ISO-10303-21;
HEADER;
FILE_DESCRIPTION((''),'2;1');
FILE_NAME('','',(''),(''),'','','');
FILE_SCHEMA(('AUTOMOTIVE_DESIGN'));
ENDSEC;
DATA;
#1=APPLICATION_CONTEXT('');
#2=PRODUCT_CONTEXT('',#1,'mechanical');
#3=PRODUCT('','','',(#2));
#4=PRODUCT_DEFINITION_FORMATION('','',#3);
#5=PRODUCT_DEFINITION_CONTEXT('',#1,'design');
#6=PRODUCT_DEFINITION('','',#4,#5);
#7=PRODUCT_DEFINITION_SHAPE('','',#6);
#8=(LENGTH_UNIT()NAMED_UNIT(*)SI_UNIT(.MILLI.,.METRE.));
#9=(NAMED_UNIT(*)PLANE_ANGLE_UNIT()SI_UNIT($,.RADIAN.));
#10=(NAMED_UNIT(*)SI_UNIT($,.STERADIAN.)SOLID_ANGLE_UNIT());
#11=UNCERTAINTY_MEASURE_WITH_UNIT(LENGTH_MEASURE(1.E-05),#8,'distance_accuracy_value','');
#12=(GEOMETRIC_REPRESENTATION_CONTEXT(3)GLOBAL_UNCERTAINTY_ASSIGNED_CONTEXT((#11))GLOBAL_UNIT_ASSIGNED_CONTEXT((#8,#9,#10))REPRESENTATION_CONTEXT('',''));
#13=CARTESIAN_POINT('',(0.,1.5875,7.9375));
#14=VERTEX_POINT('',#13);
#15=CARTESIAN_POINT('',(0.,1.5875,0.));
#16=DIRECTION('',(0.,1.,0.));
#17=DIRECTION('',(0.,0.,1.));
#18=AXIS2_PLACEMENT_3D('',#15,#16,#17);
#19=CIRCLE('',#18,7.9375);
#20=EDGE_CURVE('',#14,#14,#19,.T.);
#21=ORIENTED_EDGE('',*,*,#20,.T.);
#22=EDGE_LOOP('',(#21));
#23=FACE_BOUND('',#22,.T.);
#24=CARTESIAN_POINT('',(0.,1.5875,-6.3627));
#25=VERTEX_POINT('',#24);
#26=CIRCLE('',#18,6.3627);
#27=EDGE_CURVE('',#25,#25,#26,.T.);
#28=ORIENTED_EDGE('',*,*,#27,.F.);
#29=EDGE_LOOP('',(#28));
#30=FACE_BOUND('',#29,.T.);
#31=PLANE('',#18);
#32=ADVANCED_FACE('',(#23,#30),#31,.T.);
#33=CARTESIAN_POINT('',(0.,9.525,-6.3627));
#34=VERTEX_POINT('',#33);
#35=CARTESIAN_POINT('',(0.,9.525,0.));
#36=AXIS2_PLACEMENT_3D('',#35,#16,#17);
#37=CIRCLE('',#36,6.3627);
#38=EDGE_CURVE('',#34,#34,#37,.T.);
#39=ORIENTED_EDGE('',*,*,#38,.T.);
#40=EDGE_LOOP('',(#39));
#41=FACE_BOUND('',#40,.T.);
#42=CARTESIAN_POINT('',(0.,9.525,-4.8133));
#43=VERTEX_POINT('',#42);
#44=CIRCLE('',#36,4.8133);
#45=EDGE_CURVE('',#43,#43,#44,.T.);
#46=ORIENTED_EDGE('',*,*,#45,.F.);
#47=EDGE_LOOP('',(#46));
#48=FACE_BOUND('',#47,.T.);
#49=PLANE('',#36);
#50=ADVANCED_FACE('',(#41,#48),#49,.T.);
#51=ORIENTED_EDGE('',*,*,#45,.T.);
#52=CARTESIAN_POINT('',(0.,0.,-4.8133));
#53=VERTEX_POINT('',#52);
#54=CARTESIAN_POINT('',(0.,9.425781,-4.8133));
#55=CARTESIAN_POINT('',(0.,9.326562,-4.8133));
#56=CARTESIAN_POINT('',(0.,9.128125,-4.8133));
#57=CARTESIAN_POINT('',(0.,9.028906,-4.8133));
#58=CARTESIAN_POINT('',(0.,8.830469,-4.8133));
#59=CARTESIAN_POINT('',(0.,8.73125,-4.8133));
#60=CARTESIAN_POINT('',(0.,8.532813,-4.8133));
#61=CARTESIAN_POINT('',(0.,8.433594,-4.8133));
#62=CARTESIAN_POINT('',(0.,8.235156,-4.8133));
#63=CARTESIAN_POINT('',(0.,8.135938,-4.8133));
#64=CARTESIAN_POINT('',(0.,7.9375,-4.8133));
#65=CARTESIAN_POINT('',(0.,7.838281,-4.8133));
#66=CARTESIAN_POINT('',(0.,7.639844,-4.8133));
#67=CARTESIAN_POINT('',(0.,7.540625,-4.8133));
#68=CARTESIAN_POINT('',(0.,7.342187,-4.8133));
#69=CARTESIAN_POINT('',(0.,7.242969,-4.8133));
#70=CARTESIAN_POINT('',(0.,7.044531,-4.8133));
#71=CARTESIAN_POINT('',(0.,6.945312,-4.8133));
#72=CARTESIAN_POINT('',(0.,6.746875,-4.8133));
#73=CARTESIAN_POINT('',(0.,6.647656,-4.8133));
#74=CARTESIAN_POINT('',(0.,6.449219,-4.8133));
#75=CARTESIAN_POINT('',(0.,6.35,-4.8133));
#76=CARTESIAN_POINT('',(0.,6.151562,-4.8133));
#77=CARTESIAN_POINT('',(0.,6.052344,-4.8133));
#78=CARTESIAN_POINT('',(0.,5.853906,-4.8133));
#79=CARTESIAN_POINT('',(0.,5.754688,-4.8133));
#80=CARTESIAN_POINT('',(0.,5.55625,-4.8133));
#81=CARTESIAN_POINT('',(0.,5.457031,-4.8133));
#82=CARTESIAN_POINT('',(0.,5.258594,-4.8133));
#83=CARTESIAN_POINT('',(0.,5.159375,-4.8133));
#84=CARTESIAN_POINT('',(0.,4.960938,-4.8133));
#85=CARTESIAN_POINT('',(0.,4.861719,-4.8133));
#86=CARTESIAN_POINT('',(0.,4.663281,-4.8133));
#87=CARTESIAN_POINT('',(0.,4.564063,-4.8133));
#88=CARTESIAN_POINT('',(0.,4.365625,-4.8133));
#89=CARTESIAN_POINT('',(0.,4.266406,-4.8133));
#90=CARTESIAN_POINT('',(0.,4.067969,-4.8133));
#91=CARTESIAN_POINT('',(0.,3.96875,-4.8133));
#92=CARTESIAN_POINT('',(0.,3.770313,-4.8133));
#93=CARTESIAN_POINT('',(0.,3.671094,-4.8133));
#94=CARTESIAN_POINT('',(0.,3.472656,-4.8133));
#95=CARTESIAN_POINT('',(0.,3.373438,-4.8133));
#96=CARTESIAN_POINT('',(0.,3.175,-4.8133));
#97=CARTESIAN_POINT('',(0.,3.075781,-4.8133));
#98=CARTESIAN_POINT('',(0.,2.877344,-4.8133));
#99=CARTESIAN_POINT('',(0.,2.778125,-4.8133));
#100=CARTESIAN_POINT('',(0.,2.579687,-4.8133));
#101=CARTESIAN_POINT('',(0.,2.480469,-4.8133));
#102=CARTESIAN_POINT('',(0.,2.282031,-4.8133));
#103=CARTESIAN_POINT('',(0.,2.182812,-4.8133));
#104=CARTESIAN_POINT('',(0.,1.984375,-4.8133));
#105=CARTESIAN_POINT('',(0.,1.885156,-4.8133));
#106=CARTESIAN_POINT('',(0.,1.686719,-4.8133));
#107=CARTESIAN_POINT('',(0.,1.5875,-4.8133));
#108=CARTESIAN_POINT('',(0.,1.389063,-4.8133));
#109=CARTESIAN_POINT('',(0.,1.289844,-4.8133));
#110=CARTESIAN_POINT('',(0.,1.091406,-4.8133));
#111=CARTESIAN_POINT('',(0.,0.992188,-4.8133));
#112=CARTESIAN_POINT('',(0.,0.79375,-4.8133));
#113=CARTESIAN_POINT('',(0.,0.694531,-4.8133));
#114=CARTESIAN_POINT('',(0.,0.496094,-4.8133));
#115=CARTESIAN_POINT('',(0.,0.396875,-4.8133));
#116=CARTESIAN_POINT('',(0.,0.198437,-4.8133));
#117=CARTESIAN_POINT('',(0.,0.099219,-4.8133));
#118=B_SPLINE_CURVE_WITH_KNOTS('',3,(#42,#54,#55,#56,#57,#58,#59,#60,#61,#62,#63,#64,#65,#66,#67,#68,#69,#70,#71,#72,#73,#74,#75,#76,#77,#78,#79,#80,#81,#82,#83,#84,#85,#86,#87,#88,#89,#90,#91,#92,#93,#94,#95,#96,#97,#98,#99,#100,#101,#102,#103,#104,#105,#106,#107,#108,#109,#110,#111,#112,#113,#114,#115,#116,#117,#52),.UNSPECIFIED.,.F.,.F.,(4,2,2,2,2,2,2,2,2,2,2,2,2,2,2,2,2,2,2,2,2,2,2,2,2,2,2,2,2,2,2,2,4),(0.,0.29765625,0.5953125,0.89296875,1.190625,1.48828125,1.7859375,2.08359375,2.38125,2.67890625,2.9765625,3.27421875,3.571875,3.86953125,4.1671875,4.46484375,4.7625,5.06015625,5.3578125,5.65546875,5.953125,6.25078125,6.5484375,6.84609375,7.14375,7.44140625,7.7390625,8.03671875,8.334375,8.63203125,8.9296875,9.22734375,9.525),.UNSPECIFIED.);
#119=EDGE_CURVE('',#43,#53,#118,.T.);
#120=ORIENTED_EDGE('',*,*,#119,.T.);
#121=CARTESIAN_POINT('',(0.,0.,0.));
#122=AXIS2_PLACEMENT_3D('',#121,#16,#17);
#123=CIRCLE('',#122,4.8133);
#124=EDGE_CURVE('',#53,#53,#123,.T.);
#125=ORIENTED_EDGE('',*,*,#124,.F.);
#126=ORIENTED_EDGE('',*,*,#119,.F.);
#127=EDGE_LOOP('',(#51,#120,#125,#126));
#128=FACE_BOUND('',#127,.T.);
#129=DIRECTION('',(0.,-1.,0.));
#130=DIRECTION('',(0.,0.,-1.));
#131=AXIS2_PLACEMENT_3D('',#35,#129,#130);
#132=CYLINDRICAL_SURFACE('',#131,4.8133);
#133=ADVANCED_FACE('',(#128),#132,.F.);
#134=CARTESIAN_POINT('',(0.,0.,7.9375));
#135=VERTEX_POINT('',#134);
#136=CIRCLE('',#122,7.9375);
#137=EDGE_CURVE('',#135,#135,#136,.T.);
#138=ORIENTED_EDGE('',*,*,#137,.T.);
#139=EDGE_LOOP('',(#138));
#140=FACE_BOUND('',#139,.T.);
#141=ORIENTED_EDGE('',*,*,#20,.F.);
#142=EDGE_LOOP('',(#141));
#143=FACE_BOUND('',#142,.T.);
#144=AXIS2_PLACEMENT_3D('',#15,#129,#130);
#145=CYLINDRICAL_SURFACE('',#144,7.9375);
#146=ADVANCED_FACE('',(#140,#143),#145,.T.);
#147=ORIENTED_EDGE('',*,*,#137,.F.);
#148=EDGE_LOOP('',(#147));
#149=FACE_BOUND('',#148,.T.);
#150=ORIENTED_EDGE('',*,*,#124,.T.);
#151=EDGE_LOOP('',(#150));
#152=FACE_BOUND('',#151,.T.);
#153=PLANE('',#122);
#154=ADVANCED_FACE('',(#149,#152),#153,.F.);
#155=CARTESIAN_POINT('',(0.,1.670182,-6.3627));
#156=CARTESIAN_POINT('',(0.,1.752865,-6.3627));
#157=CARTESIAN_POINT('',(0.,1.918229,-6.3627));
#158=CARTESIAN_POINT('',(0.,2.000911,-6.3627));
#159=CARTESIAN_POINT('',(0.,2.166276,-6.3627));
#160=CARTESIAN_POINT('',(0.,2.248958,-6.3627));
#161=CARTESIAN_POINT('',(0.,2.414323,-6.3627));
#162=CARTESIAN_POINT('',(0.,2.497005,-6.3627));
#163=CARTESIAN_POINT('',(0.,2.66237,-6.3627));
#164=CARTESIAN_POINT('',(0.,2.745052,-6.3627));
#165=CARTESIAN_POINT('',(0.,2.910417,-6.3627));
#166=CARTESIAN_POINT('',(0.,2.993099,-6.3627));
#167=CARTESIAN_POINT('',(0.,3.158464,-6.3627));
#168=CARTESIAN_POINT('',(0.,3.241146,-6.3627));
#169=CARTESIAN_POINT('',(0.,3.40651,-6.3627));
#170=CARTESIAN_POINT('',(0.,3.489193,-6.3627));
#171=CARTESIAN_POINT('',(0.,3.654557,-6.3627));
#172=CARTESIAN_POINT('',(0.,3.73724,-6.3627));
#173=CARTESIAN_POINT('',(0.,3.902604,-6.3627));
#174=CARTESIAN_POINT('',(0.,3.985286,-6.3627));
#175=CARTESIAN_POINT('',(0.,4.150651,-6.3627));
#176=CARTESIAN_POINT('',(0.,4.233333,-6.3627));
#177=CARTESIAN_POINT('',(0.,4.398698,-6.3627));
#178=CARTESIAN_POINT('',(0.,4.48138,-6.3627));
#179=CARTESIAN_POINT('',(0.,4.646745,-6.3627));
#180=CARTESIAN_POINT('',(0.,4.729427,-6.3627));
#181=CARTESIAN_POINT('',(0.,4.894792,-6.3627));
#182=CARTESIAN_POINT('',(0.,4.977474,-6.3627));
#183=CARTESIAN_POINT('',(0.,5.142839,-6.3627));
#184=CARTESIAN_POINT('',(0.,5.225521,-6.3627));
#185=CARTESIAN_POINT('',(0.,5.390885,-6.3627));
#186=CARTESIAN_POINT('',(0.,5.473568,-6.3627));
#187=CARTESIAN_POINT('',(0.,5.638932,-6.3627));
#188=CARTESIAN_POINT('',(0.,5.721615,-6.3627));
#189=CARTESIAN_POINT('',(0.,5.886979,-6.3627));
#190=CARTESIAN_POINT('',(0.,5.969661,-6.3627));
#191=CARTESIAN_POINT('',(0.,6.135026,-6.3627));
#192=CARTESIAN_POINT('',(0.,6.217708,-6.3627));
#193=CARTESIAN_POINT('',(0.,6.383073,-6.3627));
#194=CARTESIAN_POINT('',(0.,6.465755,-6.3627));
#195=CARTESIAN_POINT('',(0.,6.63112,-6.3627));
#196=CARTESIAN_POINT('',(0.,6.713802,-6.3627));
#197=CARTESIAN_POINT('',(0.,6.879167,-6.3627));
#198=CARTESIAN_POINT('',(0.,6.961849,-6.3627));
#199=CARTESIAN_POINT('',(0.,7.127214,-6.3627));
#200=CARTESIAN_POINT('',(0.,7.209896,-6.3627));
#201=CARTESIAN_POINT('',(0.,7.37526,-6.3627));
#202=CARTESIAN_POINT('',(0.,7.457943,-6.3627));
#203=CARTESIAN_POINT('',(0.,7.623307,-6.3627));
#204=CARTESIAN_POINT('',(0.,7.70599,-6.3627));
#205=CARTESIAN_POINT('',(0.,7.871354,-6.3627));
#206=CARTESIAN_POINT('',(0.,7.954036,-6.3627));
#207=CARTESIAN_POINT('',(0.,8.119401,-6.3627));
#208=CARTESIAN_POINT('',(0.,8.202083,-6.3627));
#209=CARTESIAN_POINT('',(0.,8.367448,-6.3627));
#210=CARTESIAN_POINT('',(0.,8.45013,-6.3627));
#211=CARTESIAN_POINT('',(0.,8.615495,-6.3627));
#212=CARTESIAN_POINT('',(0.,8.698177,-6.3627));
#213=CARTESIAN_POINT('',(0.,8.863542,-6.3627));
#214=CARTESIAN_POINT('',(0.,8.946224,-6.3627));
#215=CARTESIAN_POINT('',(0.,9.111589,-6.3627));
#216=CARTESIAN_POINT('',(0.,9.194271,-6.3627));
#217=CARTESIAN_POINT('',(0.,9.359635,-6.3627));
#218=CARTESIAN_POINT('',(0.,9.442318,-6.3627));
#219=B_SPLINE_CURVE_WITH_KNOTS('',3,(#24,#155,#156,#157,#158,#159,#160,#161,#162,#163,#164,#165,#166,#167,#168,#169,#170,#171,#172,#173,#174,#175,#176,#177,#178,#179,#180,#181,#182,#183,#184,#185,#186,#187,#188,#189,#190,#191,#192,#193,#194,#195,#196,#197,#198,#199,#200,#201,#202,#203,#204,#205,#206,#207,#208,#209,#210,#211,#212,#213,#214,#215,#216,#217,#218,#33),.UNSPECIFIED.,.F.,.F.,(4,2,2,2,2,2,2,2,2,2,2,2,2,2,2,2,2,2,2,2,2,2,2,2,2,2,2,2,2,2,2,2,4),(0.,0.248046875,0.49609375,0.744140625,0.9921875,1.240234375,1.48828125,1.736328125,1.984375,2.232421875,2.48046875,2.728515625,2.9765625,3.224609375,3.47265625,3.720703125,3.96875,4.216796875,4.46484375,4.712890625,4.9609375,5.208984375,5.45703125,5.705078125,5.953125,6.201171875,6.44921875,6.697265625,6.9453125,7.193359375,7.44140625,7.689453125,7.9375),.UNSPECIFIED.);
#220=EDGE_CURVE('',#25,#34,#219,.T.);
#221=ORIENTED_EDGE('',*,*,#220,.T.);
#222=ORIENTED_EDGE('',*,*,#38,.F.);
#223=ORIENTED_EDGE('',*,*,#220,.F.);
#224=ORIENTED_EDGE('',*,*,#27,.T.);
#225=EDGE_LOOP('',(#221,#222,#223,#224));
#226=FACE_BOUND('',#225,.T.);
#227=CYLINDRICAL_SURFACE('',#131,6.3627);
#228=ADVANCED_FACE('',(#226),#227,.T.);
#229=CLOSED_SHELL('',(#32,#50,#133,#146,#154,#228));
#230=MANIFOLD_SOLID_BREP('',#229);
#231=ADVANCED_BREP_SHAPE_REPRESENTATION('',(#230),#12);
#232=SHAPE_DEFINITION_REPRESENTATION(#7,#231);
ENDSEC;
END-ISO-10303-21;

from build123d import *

# Parameters (mm, degrees)
SKETCH2_R           = 6.3627
SKETCH2_R_2         = 4.8133
BOSS_EXTRUDE1_DEPTH = 9.525
SKETCH3_R           = 7.9375
SKETCH3_R_2         = 6.3627
BOSS_EXTRUDE2_DEPTH = 1.5875


with BuildPart() as part:
    # Sketch2 → Boss-Extrude1 (new body)
    with BuildSketch(Plane(origin=(0, 0, 0), x_dir=(1, 0, 0), z_dir=(0, 1, 0))):
        with Locations(Location((0, 0, 0), (0, 0, 90))):
            Circle(SKETCH2_R)
        with Locations(Location((0, 0, 0), (0, 0, 90))):
            Circle(SKETCH2_R_2, mode=Mode.SUBTRACT)
    extrude(amount=BOSS_EXTRUDE1_DEPTH)

    # Sketch3 → Boss-Extrude2 (add)
    with BuildSketch(Plane(origin=(0, 0, 0), x_dir=(1, 0, 0), z_dir=(0, 1, 0))):
        with Locations(Location((0, 0, 0), (0, 0, 270))):
            Circle(SKETCH3_R)
        with Locations(Location((0, 0, 0), (0, 0, 90))):
            Circle(SKETCH3_R_2, mode=Mode.SUBTRACT)
    extrude(amount=BOSS_EXTRUDE2_DEPTH)


solid = part.part
